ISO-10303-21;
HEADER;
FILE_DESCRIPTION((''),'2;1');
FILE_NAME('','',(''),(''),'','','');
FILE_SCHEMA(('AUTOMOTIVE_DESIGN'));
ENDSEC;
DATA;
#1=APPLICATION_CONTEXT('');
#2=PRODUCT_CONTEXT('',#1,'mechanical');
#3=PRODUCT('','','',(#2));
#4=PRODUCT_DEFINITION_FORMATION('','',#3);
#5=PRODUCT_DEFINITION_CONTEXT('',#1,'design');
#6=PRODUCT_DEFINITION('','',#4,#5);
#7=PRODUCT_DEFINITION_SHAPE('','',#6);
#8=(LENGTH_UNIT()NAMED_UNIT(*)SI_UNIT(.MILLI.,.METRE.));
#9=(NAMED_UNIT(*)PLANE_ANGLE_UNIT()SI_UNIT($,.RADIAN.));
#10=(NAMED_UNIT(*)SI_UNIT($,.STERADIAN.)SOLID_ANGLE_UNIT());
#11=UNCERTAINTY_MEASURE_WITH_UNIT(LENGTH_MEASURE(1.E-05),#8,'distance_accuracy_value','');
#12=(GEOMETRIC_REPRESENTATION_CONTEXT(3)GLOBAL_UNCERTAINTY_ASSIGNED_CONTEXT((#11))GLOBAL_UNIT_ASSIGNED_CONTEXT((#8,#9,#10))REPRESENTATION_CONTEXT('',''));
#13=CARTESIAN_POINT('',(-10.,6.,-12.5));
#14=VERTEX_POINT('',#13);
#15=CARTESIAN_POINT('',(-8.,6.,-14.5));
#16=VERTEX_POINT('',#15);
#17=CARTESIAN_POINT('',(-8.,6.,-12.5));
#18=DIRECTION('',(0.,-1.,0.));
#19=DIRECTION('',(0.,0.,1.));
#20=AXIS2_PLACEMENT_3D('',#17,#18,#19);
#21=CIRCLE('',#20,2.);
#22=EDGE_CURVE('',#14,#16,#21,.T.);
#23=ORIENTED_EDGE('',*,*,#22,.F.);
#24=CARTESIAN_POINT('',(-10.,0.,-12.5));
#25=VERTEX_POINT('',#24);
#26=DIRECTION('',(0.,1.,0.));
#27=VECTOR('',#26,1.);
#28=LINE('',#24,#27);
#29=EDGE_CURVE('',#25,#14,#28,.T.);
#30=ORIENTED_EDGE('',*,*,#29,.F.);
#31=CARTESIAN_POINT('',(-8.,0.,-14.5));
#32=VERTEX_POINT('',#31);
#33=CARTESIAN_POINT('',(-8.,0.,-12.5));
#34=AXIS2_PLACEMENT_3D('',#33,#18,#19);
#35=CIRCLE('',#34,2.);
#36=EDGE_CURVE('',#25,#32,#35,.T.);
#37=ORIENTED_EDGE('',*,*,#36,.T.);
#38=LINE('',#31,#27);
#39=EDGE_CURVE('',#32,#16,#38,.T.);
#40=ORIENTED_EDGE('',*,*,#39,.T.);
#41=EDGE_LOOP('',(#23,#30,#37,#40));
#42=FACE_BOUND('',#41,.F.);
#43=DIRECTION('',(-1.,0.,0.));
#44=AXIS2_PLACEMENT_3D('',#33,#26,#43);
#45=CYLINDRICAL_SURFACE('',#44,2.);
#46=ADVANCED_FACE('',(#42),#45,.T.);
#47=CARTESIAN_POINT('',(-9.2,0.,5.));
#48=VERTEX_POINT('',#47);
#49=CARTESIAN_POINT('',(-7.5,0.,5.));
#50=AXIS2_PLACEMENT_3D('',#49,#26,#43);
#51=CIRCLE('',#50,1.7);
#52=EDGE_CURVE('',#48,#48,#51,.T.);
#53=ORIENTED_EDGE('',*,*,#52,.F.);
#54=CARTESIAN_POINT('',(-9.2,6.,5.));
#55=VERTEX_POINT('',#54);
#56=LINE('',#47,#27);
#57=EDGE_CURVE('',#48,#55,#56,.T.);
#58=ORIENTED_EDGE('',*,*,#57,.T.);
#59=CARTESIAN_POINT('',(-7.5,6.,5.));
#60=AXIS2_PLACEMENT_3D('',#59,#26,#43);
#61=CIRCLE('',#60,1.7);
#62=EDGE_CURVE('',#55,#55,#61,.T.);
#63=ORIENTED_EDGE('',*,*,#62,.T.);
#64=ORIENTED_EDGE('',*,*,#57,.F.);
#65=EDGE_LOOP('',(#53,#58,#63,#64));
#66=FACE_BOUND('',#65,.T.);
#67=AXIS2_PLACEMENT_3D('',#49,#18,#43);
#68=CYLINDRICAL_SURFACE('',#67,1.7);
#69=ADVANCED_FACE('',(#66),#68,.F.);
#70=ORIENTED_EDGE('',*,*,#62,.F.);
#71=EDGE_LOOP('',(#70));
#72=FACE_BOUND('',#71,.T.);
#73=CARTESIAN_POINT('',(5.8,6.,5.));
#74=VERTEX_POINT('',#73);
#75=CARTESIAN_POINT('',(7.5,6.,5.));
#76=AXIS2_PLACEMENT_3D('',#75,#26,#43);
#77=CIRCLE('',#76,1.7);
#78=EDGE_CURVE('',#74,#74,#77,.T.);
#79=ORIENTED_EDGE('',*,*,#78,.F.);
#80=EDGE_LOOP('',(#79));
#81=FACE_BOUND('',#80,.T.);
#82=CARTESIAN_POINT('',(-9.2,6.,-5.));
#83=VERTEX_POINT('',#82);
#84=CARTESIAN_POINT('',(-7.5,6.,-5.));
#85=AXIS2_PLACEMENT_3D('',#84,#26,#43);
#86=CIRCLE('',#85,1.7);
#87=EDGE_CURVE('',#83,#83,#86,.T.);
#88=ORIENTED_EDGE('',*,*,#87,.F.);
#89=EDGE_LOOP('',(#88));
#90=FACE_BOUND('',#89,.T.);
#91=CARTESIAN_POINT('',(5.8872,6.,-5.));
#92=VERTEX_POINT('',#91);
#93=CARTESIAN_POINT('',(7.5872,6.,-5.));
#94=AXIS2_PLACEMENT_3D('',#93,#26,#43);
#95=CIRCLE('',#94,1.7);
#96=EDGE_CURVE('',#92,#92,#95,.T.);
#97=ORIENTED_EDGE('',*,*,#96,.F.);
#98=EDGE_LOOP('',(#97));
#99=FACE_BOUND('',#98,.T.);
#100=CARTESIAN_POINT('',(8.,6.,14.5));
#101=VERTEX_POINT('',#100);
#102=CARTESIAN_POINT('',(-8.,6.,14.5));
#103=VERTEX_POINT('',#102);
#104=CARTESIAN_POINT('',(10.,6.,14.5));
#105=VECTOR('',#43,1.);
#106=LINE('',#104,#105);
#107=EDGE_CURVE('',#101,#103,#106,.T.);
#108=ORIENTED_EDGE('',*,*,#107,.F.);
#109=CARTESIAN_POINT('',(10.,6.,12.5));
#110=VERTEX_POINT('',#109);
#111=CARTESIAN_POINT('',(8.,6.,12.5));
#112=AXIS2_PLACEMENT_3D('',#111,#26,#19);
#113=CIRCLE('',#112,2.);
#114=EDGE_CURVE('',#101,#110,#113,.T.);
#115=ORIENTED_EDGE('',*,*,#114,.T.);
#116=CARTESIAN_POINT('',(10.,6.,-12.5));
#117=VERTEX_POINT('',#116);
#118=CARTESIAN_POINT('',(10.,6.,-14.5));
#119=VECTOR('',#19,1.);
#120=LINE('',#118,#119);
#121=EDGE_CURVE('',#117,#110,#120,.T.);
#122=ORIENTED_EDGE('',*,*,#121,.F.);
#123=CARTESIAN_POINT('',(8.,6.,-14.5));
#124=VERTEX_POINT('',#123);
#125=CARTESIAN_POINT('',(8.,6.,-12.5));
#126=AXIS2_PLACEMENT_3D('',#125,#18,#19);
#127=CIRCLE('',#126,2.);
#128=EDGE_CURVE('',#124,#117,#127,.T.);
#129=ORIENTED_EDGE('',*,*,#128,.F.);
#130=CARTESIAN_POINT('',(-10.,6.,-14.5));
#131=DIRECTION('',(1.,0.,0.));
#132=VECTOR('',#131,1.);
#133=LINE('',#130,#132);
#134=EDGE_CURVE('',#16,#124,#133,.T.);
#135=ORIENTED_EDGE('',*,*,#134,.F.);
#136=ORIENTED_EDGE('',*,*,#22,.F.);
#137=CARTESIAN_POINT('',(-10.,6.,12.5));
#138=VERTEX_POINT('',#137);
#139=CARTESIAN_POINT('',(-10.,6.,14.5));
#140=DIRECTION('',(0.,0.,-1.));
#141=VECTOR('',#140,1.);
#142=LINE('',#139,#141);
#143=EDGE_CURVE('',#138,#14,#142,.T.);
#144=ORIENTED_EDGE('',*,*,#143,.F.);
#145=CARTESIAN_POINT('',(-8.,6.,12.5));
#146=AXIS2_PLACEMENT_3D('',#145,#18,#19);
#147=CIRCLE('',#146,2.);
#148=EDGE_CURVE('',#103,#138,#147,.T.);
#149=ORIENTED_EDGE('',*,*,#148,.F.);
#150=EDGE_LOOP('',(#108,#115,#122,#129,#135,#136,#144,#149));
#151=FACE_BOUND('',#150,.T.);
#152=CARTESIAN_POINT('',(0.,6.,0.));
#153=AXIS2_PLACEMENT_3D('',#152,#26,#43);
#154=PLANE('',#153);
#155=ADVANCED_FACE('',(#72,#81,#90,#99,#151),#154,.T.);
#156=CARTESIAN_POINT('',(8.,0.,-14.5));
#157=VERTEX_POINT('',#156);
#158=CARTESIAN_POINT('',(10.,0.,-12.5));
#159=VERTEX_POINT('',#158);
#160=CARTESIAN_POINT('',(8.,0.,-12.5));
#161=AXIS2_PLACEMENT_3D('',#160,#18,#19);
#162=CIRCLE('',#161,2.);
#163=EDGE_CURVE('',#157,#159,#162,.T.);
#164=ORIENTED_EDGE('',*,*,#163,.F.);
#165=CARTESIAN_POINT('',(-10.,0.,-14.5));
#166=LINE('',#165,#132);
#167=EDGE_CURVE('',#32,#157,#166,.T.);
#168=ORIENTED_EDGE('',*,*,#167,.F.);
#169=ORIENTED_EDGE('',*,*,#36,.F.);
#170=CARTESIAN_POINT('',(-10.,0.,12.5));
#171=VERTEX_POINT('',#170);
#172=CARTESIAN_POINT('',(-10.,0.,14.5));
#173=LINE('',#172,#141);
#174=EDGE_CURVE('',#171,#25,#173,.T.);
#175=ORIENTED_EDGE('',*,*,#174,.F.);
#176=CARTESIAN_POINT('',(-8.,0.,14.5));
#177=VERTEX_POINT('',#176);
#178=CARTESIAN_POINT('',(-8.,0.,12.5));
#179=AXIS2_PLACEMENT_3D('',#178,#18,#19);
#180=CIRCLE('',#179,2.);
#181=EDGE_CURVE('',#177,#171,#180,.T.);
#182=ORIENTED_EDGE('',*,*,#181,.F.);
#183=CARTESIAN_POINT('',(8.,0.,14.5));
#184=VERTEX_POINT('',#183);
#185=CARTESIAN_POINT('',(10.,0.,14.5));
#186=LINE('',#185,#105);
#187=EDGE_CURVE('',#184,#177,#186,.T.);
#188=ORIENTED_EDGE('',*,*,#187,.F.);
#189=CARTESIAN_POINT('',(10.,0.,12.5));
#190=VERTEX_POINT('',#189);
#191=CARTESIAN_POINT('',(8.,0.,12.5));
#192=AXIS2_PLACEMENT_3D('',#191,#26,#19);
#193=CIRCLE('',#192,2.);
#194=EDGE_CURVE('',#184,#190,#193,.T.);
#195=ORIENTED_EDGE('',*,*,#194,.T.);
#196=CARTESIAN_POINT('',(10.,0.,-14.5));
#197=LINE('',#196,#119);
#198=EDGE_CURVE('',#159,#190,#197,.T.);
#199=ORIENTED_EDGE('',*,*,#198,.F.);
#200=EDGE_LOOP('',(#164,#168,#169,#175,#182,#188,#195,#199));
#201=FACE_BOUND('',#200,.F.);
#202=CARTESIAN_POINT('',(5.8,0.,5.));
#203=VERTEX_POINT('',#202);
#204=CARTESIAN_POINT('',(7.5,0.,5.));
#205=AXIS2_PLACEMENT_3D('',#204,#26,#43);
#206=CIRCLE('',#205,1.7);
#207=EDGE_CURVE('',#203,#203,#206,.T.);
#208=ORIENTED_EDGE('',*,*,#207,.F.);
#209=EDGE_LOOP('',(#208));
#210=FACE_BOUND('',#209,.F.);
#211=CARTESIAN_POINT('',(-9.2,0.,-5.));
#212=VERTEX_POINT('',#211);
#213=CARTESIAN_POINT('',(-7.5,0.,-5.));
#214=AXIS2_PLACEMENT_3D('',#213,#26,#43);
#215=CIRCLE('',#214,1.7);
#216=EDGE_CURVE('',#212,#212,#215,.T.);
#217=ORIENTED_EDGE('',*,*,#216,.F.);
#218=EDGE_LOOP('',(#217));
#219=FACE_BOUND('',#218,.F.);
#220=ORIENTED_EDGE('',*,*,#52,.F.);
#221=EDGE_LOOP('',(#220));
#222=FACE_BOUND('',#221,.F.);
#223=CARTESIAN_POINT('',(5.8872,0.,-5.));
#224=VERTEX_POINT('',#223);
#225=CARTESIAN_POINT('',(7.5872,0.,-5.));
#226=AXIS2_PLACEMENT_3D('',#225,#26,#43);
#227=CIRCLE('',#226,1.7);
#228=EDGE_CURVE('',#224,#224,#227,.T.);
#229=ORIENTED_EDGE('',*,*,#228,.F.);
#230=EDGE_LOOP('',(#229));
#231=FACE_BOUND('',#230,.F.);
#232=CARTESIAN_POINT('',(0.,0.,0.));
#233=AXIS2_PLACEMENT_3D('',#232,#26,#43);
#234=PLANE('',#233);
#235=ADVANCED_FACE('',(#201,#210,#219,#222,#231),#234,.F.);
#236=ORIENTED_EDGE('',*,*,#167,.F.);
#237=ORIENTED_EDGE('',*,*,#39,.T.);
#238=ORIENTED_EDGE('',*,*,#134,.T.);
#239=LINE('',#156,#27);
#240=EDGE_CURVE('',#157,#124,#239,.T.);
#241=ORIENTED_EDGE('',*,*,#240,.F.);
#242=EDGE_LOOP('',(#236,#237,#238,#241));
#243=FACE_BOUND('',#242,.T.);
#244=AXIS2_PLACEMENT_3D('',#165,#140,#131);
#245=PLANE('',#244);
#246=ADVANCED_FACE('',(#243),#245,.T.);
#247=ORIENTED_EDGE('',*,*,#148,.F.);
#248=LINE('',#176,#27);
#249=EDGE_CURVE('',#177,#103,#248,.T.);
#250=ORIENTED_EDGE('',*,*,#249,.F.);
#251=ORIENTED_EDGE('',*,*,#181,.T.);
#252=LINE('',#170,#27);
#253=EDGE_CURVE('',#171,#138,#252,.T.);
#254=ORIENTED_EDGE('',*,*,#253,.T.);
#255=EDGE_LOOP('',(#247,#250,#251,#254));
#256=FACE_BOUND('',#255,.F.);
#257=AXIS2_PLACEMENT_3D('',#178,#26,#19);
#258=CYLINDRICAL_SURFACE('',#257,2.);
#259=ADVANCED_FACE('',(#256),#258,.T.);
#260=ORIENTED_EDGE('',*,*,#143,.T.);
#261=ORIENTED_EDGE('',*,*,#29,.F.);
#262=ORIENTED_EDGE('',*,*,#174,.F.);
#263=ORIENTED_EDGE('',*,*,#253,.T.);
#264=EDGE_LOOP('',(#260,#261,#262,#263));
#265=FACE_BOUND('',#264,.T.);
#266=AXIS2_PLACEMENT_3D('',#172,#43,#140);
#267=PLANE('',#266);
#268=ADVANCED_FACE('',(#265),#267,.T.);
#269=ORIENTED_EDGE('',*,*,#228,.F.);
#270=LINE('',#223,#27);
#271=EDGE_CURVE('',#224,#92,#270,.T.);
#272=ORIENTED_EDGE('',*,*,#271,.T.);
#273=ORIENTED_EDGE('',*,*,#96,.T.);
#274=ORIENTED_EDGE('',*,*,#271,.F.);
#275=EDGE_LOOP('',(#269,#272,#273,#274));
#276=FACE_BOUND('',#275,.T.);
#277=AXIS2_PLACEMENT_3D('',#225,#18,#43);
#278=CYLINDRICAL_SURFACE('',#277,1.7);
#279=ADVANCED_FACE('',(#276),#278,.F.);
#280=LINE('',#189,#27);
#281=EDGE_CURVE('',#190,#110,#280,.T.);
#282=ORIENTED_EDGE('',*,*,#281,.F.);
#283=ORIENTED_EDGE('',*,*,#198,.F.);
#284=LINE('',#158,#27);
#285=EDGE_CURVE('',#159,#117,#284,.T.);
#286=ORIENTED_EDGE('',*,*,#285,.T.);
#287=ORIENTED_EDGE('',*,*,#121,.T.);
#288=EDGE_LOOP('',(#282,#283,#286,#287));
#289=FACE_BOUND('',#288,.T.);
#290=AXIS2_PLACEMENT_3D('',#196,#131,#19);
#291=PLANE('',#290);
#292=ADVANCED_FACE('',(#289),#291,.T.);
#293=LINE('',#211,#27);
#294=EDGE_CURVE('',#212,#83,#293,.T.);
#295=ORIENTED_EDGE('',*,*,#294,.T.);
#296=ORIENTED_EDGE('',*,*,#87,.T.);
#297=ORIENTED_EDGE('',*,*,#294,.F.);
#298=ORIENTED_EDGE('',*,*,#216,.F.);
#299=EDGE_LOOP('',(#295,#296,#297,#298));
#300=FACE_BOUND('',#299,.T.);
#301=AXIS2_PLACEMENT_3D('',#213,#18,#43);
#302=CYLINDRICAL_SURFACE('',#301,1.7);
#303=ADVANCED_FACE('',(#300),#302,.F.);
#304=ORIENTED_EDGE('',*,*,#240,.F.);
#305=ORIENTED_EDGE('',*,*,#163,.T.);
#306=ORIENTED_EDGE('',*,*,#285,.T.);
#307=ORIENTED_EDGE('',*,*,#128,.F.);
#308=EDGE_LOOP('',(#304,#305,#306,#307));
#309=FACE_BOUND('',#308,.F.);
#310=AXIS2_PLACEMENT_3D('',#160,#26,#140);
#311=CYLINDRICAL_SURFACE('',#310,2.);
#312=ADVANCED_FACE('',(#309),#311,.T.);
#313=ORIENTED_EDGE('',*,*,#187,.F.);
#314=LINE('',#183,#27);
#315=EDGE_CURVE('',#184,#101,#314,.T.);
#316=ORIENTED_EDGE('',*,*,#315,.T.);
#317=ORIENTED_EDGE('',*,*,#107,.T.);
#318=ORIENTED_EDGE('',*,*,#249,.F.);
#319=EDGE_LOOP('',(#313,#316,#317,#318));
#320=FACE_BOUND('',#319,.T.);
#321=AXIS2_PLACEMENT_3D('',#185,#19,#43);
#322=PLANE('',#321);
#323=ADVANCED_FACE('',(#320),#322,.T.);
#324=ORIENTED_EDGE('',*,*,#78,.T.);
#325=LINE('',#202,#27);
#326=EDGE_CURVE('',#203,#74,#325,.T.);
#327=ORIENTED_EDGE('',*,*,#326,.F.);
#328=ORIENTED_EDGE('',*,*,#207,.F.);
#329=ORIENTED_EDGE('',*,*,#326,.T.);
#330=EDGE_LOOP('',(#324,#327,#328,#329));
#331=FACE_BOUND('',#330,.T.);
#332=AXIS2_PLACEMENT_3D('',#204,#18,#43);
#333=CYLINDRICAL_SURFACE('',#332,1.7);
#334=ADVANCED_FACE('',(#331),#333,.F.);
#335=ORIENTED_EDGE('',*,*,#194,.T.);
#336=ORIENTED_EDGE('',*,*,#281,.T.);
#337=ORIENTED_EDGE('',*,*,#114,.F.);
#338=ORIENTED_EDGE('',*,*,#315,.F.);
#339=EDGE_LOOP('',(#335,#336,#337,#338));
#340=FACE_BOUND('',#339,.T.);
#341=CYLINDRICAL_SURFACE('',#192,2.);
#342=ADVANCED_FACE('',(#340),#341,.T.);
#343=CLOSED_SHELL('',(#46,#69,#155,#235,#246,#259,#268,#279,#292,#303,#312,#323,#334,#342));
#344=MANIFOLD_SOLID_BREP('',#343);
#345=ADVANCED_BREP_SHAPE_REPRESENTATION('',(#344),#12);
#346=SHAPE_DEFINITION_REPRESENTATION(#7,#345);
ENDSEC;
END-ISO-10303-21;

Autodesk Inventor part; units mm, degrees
ref_plane "YZ Plane" through (0, 0, 0) normal (1, 0, 0) x (0, 1, 0)
ref_plane "XZ Plane" through (0, 0, 0) normal (0, 1, 0) x (-1, 0, 0)
ref_plane "XY Plane" through (0, 0, 0) normal (0, 0, 1) x (1, 0, 0)
sketch "Sketch1" plane through (0, 0, 0) normal (0, 1, 0) x (-1, 0, 0)
  line L0 (-10, 14.5) -> (10, 14.5)
  line L1 (10, 14.5) -> (10, -14.5)
  line L2 (10, -14.5) -> (-10, -14.5)
  line L3 (-10, -14.5) -> (-10, 14.5)
  line L4 (-10, 14.5) -> (10, -14.5) construction
  line L5 (10, 14.5) -> (-10, -14.5) construction
  line L6 (-7.5, 5) -> (7.5, 5) construction
  line L7 (7.5, 5) -> (7.5, -5) construction
  line L8 (7.5, -5) -> (-7.5, -5) construction
  line L9 (-7.5, -5) -> (-7.5, 5) construction
  line L10 (-7.5, 5) -> (7.5, -5) construction
  line L11 (7.5, 5) -> (-7.5, -5) construction
  circle A0 centre (7.5, -5) radius 1.7
  circle A1 centre (-7.5872, -5) radius 1.7
  circle A2 centre (-7.5, 5) radius 1.7
  circle A3 centre (7.5, 5) radius 1.7
  point P0 (0, 0)
  dimension "d0" = 29
  dimension "d1" = 20
  dimension "d2" = 15
  dimension "d3" = 10
  dimension "d4" = 3.4
extrude "Extrusion1" add sketch "Sketch1" along normal blind 6
fillet "Fillet1" radius 2 4 edges at (10, 3, -14.5) (-10, 3, -14.5) (-10, 3, 14.5) (10, 3, 14.5)
properties part number "6mm XY Packer Block" material "ABS Plastic"
